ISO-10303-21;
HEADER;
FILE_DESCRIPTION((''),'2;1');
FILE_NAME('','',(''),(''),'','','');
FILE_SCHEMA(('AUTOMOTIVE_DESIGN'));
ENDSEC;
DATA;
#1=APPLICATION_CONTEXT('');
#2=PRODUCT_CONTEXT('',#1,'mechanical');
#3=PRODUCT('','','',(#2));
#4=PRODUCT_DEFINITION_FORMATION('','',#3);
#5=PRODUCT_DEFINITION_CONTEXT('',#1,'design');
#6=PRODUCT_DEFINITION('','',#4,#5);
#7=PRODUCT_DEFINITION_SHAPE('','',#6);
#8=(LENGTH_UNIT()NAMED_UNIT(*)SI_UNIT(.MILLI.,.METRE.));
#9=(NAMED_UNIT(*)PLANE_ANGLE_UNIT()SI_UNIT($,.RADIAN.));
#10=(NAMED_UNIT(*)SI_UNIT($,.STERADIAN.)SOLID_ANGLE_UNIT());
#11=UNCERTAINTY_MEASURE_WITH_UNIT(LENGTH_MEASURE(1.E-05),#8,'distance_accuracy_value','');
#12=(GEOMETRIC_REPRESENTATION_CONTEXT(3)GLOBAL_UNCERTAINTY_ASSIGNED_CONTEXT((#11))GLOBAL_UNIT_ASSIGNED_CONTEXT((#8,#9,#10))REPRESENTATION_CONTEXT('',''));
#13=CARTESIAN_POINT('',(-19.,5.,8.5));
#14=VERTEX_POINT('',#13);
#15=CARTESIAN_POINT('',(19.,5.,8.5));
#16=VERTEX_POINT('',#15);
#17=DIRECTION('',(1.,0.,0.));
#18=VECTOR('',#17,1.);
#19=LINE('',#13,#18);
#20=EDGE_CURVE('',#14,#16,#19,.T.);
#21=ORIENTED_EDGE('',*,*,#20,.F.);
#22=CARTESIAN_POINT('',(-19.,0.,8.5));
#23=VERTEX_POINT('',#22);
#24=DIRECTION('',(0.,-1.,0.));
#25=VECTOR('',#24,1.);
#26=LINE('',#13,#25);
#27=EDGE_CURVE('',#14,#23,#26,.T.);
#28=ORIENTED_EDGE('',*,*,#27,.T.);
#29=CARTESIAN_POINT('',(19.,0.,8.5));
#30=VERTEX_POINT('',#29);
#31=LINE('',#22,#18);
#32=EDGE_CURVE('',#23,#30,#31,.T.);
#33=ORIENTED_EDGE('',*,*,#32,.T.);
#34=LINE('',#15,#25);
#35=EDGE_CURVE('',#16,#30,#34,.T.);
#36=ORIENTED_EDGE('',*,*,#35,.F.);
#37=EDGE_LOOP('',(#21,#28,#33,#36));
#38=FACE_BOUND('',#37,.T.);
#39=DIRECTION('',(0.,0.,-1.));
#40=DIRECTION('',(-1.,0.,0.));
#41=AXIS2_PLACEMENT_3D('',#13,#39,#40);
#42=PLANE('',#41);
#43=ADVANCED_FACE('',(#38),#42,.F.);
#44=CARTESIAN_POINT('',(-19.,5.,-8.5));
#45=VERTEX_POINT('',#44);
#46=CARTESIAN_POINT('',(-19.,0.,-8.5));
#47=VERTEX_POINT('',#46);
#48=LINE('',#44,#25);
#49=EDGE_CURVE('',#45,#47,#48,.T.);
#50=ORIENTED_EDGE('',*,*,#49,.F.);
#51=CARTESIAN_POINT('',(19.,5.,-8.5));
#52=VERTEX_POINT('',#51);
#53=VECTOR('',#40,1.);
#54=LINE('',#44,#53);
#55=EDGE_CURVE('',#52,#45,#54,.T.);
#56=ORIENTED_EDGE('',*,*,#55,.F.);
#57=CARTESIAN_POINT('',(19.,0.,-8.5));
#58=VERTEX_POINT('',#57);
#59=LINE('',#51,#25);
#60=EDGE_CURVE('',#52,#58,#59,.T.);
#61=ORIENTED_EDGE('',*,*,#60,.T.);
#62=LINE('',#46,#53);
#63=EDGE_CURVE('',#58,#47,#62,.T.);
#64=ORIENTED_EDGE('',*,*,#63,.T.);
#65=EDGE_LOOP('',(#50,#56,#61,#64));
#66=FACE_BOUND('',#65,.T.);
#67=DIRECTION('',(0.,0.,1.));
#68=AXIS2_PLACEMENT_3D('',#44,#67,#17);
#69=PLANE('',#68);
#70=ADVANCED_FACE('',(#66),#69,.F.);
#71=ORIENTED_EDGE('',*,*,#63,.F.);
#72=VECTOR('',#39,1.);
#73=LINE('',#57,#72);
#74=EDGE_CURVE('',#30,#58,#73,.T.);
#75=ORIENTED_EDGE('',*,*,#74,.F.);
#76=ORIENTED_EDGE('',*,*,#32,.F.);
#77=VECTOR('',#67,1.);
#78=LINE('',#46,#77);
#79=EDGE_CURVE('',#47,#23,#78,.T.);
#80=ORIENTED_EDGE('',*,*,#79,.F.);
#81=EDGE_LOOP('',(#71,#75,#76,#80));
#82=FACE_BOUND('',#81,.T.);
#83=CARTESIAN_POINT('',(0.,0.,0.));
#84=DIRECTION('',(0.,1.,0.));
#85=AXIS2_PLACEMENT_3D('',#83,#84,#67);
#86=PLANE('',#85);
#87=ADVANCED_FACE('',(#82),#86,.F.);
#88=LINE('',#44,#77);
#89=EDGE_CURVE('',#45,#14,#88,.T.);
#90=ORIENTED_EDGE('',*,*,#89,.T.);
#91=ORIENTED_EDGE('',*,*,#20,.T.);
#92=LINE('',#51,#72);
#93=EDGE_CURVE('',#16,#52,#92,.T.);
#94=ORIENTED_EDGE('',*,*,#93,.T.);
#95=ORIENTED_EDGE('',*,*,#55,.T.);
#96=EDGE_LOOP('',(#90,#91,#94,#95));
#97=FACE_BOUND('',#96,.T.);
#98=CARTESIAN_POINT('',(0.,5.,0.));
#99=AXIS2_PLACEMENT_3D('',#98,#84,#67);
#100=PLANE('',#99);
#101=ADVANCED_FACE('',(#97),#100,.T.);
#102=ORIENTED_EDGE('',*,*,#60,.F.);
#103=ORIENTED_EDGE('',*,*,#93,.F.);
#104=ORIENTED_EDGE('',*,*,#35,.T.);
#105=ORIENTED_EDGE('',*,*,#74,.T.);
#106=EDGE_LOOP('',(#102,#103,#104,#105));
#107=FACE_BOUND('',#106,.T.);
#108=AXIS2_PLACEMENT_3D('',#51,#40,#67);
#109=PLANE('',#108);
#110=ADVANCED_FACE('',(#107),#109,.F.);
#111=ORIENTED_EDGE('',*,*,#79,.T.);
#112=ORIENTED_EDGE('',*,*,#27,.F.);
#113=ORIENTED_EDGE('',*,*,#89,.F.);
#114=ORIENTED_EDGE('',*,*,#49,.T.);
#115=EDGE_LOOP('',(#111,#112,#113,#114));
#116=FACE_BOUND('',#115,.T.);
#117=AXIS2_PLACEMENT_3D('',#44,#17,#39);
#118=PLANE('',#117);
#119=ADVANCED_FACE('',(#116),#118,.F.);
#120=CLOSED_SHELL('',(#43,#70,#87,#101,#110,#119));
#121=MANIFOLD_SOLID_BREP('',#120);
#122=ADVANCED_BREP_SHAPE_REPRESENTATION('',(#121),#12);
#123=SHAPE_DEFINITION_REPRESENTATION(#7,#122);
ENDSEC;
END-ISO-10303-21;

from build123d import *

# Parameters (mm, degrees)
SKETCH1_W           = 38
SKETCH1_H           = 17
BOSS_EXTRUDE1_DEPTH = 5


with BuildPart() as part:
    # Sketch1 → Boss-Extrude1 (new body)
    with BuildSketch(Plane(origin=(0, 0, 0), x_dir=(1, 0, 0), z_dir=(0, 1, 0))):
        Rectangle(SKETCH1_W, SKETCH1_H)
    extrude(amount=BOSS_EXTRUDE1_DEPTH)


solid = part.part
